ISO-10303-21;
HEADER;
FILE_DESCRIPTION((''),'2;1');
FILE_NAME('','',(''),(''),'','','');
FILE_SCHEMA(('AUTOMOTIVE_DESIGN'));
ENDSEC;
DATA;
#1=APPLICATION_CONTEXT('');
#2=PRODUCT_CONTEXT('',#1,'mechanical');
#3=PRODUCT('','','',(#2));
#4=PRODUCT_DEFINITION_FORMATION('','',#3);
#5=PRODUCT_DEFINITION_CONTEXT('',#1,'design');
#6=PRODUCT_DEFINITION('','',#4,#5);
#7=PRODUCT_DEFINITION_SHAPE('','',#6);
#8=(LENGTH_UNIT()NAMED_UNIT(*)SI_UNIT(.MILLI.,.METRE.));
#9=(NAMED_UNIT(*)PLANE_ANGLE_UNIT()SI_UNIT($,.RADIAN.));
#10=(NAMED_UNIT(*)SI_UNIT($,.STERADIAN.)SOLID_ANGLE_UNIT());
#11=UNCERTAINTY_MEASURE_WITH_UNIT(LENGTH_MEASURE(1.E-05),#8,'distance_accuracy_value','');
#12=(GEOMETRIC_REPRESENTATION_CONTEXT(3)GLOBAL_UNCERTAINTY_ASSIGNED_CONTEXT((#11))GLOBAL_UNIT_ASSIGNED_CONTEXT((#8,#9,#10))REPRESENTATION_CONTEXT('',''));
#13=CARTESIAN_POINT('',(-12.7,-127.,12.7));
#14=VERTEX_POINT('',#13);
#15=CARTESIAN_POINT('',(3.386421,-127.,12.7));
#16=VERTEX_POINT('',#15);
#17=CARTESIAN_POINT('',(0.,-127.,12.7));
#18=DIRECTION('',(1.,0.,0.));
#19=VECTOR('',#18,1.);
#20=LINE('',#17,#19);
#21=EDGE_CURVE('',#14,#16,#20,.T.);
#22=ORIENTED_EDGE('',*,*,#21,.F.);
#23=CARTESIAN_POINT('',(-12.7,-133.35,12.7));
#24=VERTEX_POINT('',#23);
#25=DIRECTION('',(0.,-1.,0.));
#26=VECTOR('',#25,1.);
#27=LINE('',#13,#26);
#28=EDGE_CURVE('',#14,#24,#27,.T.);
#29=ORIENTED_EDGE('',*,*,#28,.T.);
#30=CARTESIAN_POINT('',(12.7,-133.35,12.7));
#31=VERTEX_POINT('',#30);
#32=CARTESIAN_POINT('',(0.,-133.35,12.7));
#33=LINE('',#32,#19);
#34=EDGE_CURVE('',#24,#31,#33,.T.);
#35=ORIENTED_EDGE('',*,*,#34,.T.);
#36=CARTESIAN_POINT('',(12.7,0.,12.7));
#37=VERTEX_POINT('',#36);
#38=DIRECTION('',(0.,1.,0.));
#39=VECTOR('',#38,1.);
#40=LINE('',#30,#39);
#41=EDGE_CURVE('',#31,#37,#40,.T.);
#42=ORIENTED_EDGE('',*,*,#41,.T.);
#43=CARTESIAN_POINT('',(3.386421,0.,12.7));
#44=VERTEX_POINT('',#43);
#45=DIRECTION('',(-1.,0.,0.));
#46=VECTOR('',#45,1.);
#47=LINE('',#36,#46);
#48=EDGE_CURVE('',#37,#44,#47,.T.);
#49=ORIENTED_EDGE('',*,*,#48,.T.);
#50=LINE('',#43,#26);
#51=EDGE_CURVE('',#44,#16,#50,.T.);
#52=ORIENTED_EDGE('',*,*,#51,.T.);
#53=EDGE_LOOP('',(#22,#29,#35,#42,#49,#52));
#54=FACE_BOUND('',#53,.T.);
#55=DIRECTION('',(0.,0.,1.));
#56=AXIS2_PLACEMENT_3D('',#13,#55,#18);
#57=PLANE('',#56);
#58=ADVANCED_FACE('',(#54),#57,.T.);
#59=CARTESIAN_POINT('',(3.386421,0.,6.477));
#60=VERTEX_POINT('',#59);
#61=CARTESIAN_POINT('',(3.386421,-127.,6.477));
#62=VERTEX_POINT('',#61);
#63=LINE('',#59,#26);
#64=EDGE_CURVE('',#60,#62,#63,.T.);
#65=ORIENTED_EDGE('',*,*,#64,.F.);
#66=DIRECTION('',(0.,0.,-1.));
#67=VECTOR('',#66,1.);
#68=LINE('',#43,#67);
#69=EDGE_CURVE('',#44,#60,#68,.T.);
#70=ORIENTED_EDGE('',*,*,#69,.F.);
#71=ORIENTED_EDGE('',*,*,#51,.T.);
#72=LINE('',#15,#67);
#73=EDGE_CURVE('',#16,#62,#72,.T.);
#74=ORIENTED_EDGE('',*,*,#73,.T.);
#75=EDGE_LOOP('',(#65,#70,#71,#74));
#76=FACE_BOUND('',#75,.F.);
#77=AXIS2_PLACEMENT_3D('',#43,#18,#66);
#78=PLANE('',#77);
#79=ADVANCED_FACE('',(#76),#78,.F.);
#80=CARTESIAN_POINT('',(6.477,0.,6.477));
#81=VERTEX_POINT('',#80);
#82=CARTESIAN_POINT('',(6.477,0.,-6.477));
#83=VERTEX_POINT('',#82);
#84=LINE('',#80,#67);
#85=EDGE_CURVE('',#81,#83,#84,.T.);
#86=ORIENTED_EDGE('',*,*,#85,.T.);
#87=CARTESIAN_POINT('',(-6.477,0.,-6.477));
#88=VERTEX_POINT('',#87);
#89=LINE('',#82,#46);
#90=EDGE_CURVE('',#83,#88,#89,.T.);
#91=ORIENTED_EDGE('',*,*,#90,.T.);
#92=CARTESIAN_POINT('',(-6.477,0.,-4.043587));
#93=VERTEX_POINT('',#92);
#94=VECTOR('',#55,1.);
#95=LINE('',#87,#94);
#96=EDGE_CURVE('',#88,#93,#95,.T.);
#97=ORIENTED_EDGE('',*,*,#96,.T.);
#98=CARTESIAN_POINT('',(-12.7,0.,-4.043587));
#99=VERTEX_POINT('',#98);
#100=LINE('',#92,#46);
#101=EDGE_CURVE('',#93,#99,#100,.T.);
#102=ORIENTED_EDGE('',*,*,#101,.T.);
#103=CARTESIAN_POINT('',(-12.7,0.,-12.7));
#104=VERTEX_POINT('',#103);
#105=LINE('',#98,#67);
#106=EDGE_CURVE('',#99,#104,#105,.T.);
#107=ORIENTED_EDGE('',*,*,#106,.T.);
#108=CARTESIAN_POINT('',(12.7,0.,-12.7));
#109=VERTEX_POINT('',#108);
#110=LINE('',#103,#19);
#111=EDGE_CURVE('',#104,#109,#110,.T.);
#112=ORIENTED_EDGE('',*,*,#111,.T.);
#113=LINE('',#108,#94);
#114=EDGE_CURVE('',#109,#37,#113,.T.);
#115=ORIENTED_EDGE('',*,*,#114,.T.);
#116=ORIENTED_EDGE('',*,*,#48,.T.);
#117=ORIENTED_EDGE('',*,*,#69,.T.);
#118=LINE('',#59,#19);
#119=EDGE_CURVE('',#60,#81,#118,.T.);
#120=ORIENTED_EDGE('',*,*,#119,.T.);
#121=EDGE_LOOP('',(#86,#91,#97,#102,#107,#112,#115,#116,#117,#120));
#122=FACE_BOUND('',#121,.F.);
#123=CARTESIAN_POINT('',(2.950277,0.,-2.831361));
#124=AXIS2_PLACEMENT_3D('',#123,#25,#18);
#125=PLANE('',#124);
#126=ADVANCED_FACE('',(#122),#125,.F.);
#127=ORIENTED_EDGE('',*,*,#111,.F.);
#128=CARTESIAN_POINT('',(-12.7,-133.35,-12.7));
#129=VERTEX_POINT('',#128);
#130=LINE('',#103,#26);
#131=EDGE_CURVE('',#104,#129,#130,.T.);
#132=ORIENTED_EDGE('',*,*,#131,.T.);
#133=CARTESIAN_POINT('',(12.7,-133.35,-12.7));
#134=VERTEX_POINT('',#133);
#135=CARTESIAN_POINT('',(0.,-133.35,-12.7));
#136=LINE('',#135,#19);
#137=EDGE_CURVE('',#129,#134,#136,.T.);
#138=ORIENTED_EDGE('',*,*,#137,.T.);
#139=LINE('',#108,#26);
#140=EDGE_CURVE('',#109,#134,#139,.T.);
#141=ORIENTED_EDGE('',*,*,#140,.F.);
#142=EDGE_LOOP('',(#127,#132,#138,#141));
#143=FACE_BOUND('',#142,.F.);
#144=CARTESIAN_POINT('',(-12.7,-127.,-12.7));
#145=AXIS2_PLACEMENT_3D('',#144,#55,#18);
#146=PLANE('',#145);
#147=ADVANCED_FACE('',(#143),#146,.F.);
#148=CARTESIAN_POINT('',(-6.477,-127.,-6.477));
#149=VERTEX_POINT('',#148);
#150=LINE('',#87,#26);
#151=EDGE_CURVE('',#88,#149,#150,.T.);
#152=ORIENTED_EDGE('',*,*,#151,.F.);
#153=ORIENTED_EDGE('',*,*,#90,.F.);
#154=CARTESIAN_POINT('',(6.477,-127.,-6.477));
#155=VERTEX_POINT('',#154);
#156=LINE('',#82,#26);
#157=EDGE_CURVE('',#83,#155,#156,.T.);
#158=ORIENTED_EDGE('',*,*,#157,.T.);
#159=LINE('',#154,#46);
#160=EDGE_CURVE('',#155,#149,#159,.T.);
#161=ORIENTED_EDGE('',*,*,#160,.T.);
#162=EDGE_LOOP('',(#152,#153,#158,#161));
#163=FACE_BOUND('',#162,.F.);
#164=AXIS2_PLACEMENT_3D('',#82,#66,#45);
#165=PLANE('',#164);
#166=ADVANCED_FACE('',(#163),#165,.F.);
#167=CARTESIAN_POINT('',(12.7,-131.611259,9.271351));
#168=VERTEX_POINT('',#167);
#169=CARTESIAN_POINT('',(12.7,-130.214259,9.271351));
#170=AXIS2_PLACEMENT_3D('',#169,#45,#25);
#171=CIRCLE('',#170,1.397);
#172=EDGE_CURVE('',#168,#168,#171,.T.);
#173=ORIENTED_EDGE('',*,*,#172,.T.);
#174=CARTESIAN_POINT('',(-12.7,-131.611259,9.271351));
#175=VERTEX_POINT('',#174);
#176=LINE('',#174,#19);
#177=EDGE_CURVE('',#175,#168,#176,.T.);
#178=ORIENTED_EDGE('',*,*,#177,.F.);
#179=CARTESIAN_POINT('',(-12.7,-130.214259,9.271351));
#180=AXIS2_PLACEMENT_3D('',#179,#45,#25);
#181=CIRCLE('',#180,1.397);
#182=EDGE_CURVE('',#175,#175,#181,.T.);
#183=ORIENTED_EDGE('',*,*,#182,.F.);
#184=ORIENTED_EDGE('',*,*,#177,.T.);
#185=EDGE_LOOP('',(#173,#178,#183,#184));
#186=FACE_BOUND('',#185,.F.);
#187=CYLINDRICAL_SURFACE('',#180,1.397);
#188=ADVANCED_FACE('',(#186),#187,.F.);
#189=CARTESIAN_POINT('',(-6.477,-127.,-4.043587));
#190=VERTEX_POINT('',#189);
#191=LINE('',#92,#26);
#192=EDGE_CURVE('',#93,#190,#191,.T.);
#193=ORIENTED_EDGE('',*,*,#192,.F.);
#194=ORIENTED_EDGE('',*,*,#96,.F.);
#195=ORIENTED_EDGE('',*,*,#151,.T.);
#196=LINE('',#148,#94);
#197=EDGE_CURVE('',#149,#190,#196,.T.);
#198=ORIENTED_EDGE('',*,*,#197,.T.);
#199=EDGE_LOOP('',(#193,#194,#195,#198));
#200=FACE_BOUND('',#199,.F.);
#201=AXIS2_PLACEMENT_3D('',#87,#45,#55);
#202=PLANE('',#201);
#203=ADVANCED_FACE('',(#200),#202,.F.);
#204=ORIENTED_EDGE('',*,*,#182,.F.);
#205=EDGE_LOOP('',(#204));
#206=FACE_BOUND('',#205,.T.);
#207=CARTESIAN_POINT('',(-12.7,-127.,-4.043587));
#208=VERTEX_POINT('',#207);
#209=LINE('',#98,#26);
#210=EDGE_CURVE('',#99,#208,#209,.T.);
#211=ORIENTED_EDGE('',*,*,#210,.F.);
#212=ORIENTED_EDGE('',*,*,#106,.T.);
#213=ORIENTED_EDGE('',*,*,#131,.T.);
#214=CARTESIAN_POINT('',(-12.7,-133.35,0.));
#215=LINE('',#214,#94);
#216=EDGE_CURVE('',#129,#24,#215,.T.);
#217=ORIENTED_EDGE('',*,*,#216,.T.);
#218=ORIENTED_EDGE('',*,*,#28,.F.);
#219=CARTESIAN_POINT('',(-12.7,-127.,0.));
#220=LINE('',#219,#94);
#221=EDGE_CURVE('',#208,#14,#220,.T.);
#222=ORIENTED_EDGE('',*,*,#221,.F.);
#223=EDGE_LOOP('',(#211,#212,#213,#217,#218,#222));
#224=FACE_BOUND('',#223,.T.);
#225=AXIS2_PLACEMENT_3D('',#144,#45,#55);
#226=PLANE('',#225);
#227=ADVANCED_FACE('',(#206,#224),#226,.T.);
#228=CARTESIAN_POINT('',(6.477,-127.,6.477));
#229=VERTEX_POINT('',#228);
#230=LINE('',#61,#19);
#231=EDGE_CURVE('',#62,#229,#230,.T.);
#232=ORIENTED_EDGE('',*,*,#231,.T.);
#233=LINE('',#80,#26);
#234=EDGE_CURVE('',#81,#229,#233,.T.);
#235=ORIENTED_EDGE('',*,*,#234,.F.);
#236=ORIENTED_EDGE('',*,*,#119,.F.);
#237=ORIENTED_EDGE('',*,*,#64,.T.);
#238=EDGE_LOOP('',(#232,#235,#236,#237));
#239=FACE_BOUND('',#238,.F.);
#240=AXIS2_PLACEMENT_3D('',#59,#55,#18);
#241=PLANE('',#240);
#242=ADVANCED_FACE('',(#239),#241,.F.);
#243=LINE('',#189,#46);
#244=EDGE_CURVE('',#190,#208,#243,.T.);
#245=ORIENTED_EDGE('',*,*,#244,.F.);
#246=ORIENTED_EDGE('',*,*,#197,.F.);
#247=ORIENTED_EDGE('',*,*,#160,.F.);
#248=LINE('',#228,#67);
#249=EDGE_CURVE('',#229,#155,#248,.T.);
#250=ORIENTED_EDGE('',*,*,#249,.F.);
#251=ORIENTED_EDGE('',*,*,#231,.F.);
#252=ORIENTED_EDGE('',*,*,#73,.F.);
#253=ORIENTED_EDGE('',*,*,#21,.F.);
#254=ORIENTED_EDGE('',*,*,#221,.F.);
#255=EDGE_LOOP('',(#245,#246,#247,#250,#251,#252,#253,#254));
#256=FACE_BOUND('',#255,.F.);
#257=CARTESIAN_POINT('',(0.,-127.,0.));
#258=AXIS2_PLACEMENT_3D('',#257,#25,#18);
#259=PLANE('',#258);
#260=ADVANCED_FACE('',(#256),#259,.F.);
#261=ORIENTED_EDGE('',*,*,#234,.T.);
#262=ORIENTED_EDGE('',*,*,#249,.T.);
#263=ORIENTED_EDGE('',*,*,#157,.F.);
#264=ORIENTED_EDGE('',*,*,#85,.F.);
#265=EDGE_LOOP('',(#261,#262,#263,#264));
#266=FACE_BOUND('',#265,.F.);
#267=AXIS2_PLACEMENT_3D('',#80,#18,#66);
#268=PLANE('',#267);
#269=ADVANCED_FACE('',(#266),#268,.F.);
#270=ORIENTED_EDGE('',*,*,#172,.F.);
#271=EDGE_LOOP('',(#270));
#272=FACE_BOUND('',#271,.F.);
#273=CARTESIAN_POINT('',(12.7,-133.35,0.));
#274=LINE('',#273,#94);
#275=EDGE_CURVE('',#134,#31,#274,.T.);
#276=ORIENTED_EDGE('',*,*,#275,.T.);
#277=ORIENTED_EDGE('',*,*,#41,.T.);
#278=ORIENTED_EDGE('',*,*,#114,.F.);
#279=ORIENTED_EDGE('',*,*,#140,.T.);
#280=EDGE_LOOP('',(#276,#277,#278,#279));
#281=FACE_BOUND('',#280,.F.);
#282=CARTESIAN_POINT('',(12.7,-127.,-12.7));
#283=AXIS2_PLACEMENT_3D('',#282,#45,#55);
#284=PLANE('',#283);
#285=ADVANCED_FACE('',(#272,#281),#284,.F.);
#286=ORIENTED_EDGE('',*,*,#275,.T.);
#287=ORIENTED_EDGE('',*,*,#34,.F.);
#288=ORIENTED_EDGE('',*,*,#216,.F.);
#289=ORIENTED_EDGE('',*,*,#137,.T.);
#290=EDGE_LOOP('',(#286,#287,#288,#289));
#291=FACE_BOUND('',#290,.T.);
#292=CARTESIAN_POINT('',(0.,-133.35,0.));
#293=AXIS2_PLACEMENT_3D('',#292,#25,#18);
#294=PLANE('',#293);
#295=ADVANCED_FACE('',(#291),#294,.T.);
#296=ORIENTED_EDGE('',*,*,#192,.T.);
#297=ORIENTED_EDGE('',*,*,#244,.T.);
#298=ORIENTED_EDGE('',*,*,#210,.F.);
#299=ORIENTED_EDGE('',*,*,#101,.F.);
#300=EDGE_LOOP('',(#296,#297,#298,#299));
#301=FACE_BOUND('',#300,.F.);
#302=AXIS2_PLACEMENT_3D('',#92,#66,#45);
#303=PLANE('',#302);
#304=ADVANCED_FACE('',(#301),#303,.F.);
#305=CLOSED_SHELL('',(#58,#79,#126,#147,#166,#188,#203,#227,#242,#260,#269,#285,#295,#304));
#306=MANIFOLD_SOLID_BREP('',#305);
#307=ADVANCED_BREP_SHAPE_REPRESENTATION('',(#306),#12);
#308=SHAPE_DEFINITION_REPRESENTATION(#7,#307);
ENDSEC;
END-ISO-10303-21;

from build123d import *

# Parameters (mm, degrees)
F1_DEPTH = 127
F2_W     = 25.4
F2_H     = 25.4
F3_DEPTH = 6.35
F4_R     = 1.397
F5_DEPTH = 25.401


with BuildPart() as f1:
    # F0 (on Front) → F1 (new body)
    with BuildSketch(Plane.XZ):
        Polygon((12.7, 12.7), (3.386421, 12.7), (3.386421, 6.477), (6.477, 6.477), (6.477, -6.477), (-6.477, -6.477), (-6.477, -4.043587), (-12.7, -4.043587), (-12.7, -12.7), (12.7, -12.7), align=None)
    extrude(amount=F1_DEPTH)

    # F2 (on face) → F3 (join)
    with BuildSketch(Plane.XZ.offset(127)):
        Rectangle(F2_W, F2_H)
    extrude(amount=F3_DEPTH)

    # F4 (on face) → F5 (cut, through all)
    with BuildSketch(Plane(origin=(-12.7, 0, 0), x_dir=(0, -1, 0), z_dir=(-1, 0, 0))):
        with Locations((130.214259, 9.271351)):
            Circle(F4_R)
    extrude(amount=-F5_DEPTH, mode=Mode.SUBTRACT)


solid = f1.part
